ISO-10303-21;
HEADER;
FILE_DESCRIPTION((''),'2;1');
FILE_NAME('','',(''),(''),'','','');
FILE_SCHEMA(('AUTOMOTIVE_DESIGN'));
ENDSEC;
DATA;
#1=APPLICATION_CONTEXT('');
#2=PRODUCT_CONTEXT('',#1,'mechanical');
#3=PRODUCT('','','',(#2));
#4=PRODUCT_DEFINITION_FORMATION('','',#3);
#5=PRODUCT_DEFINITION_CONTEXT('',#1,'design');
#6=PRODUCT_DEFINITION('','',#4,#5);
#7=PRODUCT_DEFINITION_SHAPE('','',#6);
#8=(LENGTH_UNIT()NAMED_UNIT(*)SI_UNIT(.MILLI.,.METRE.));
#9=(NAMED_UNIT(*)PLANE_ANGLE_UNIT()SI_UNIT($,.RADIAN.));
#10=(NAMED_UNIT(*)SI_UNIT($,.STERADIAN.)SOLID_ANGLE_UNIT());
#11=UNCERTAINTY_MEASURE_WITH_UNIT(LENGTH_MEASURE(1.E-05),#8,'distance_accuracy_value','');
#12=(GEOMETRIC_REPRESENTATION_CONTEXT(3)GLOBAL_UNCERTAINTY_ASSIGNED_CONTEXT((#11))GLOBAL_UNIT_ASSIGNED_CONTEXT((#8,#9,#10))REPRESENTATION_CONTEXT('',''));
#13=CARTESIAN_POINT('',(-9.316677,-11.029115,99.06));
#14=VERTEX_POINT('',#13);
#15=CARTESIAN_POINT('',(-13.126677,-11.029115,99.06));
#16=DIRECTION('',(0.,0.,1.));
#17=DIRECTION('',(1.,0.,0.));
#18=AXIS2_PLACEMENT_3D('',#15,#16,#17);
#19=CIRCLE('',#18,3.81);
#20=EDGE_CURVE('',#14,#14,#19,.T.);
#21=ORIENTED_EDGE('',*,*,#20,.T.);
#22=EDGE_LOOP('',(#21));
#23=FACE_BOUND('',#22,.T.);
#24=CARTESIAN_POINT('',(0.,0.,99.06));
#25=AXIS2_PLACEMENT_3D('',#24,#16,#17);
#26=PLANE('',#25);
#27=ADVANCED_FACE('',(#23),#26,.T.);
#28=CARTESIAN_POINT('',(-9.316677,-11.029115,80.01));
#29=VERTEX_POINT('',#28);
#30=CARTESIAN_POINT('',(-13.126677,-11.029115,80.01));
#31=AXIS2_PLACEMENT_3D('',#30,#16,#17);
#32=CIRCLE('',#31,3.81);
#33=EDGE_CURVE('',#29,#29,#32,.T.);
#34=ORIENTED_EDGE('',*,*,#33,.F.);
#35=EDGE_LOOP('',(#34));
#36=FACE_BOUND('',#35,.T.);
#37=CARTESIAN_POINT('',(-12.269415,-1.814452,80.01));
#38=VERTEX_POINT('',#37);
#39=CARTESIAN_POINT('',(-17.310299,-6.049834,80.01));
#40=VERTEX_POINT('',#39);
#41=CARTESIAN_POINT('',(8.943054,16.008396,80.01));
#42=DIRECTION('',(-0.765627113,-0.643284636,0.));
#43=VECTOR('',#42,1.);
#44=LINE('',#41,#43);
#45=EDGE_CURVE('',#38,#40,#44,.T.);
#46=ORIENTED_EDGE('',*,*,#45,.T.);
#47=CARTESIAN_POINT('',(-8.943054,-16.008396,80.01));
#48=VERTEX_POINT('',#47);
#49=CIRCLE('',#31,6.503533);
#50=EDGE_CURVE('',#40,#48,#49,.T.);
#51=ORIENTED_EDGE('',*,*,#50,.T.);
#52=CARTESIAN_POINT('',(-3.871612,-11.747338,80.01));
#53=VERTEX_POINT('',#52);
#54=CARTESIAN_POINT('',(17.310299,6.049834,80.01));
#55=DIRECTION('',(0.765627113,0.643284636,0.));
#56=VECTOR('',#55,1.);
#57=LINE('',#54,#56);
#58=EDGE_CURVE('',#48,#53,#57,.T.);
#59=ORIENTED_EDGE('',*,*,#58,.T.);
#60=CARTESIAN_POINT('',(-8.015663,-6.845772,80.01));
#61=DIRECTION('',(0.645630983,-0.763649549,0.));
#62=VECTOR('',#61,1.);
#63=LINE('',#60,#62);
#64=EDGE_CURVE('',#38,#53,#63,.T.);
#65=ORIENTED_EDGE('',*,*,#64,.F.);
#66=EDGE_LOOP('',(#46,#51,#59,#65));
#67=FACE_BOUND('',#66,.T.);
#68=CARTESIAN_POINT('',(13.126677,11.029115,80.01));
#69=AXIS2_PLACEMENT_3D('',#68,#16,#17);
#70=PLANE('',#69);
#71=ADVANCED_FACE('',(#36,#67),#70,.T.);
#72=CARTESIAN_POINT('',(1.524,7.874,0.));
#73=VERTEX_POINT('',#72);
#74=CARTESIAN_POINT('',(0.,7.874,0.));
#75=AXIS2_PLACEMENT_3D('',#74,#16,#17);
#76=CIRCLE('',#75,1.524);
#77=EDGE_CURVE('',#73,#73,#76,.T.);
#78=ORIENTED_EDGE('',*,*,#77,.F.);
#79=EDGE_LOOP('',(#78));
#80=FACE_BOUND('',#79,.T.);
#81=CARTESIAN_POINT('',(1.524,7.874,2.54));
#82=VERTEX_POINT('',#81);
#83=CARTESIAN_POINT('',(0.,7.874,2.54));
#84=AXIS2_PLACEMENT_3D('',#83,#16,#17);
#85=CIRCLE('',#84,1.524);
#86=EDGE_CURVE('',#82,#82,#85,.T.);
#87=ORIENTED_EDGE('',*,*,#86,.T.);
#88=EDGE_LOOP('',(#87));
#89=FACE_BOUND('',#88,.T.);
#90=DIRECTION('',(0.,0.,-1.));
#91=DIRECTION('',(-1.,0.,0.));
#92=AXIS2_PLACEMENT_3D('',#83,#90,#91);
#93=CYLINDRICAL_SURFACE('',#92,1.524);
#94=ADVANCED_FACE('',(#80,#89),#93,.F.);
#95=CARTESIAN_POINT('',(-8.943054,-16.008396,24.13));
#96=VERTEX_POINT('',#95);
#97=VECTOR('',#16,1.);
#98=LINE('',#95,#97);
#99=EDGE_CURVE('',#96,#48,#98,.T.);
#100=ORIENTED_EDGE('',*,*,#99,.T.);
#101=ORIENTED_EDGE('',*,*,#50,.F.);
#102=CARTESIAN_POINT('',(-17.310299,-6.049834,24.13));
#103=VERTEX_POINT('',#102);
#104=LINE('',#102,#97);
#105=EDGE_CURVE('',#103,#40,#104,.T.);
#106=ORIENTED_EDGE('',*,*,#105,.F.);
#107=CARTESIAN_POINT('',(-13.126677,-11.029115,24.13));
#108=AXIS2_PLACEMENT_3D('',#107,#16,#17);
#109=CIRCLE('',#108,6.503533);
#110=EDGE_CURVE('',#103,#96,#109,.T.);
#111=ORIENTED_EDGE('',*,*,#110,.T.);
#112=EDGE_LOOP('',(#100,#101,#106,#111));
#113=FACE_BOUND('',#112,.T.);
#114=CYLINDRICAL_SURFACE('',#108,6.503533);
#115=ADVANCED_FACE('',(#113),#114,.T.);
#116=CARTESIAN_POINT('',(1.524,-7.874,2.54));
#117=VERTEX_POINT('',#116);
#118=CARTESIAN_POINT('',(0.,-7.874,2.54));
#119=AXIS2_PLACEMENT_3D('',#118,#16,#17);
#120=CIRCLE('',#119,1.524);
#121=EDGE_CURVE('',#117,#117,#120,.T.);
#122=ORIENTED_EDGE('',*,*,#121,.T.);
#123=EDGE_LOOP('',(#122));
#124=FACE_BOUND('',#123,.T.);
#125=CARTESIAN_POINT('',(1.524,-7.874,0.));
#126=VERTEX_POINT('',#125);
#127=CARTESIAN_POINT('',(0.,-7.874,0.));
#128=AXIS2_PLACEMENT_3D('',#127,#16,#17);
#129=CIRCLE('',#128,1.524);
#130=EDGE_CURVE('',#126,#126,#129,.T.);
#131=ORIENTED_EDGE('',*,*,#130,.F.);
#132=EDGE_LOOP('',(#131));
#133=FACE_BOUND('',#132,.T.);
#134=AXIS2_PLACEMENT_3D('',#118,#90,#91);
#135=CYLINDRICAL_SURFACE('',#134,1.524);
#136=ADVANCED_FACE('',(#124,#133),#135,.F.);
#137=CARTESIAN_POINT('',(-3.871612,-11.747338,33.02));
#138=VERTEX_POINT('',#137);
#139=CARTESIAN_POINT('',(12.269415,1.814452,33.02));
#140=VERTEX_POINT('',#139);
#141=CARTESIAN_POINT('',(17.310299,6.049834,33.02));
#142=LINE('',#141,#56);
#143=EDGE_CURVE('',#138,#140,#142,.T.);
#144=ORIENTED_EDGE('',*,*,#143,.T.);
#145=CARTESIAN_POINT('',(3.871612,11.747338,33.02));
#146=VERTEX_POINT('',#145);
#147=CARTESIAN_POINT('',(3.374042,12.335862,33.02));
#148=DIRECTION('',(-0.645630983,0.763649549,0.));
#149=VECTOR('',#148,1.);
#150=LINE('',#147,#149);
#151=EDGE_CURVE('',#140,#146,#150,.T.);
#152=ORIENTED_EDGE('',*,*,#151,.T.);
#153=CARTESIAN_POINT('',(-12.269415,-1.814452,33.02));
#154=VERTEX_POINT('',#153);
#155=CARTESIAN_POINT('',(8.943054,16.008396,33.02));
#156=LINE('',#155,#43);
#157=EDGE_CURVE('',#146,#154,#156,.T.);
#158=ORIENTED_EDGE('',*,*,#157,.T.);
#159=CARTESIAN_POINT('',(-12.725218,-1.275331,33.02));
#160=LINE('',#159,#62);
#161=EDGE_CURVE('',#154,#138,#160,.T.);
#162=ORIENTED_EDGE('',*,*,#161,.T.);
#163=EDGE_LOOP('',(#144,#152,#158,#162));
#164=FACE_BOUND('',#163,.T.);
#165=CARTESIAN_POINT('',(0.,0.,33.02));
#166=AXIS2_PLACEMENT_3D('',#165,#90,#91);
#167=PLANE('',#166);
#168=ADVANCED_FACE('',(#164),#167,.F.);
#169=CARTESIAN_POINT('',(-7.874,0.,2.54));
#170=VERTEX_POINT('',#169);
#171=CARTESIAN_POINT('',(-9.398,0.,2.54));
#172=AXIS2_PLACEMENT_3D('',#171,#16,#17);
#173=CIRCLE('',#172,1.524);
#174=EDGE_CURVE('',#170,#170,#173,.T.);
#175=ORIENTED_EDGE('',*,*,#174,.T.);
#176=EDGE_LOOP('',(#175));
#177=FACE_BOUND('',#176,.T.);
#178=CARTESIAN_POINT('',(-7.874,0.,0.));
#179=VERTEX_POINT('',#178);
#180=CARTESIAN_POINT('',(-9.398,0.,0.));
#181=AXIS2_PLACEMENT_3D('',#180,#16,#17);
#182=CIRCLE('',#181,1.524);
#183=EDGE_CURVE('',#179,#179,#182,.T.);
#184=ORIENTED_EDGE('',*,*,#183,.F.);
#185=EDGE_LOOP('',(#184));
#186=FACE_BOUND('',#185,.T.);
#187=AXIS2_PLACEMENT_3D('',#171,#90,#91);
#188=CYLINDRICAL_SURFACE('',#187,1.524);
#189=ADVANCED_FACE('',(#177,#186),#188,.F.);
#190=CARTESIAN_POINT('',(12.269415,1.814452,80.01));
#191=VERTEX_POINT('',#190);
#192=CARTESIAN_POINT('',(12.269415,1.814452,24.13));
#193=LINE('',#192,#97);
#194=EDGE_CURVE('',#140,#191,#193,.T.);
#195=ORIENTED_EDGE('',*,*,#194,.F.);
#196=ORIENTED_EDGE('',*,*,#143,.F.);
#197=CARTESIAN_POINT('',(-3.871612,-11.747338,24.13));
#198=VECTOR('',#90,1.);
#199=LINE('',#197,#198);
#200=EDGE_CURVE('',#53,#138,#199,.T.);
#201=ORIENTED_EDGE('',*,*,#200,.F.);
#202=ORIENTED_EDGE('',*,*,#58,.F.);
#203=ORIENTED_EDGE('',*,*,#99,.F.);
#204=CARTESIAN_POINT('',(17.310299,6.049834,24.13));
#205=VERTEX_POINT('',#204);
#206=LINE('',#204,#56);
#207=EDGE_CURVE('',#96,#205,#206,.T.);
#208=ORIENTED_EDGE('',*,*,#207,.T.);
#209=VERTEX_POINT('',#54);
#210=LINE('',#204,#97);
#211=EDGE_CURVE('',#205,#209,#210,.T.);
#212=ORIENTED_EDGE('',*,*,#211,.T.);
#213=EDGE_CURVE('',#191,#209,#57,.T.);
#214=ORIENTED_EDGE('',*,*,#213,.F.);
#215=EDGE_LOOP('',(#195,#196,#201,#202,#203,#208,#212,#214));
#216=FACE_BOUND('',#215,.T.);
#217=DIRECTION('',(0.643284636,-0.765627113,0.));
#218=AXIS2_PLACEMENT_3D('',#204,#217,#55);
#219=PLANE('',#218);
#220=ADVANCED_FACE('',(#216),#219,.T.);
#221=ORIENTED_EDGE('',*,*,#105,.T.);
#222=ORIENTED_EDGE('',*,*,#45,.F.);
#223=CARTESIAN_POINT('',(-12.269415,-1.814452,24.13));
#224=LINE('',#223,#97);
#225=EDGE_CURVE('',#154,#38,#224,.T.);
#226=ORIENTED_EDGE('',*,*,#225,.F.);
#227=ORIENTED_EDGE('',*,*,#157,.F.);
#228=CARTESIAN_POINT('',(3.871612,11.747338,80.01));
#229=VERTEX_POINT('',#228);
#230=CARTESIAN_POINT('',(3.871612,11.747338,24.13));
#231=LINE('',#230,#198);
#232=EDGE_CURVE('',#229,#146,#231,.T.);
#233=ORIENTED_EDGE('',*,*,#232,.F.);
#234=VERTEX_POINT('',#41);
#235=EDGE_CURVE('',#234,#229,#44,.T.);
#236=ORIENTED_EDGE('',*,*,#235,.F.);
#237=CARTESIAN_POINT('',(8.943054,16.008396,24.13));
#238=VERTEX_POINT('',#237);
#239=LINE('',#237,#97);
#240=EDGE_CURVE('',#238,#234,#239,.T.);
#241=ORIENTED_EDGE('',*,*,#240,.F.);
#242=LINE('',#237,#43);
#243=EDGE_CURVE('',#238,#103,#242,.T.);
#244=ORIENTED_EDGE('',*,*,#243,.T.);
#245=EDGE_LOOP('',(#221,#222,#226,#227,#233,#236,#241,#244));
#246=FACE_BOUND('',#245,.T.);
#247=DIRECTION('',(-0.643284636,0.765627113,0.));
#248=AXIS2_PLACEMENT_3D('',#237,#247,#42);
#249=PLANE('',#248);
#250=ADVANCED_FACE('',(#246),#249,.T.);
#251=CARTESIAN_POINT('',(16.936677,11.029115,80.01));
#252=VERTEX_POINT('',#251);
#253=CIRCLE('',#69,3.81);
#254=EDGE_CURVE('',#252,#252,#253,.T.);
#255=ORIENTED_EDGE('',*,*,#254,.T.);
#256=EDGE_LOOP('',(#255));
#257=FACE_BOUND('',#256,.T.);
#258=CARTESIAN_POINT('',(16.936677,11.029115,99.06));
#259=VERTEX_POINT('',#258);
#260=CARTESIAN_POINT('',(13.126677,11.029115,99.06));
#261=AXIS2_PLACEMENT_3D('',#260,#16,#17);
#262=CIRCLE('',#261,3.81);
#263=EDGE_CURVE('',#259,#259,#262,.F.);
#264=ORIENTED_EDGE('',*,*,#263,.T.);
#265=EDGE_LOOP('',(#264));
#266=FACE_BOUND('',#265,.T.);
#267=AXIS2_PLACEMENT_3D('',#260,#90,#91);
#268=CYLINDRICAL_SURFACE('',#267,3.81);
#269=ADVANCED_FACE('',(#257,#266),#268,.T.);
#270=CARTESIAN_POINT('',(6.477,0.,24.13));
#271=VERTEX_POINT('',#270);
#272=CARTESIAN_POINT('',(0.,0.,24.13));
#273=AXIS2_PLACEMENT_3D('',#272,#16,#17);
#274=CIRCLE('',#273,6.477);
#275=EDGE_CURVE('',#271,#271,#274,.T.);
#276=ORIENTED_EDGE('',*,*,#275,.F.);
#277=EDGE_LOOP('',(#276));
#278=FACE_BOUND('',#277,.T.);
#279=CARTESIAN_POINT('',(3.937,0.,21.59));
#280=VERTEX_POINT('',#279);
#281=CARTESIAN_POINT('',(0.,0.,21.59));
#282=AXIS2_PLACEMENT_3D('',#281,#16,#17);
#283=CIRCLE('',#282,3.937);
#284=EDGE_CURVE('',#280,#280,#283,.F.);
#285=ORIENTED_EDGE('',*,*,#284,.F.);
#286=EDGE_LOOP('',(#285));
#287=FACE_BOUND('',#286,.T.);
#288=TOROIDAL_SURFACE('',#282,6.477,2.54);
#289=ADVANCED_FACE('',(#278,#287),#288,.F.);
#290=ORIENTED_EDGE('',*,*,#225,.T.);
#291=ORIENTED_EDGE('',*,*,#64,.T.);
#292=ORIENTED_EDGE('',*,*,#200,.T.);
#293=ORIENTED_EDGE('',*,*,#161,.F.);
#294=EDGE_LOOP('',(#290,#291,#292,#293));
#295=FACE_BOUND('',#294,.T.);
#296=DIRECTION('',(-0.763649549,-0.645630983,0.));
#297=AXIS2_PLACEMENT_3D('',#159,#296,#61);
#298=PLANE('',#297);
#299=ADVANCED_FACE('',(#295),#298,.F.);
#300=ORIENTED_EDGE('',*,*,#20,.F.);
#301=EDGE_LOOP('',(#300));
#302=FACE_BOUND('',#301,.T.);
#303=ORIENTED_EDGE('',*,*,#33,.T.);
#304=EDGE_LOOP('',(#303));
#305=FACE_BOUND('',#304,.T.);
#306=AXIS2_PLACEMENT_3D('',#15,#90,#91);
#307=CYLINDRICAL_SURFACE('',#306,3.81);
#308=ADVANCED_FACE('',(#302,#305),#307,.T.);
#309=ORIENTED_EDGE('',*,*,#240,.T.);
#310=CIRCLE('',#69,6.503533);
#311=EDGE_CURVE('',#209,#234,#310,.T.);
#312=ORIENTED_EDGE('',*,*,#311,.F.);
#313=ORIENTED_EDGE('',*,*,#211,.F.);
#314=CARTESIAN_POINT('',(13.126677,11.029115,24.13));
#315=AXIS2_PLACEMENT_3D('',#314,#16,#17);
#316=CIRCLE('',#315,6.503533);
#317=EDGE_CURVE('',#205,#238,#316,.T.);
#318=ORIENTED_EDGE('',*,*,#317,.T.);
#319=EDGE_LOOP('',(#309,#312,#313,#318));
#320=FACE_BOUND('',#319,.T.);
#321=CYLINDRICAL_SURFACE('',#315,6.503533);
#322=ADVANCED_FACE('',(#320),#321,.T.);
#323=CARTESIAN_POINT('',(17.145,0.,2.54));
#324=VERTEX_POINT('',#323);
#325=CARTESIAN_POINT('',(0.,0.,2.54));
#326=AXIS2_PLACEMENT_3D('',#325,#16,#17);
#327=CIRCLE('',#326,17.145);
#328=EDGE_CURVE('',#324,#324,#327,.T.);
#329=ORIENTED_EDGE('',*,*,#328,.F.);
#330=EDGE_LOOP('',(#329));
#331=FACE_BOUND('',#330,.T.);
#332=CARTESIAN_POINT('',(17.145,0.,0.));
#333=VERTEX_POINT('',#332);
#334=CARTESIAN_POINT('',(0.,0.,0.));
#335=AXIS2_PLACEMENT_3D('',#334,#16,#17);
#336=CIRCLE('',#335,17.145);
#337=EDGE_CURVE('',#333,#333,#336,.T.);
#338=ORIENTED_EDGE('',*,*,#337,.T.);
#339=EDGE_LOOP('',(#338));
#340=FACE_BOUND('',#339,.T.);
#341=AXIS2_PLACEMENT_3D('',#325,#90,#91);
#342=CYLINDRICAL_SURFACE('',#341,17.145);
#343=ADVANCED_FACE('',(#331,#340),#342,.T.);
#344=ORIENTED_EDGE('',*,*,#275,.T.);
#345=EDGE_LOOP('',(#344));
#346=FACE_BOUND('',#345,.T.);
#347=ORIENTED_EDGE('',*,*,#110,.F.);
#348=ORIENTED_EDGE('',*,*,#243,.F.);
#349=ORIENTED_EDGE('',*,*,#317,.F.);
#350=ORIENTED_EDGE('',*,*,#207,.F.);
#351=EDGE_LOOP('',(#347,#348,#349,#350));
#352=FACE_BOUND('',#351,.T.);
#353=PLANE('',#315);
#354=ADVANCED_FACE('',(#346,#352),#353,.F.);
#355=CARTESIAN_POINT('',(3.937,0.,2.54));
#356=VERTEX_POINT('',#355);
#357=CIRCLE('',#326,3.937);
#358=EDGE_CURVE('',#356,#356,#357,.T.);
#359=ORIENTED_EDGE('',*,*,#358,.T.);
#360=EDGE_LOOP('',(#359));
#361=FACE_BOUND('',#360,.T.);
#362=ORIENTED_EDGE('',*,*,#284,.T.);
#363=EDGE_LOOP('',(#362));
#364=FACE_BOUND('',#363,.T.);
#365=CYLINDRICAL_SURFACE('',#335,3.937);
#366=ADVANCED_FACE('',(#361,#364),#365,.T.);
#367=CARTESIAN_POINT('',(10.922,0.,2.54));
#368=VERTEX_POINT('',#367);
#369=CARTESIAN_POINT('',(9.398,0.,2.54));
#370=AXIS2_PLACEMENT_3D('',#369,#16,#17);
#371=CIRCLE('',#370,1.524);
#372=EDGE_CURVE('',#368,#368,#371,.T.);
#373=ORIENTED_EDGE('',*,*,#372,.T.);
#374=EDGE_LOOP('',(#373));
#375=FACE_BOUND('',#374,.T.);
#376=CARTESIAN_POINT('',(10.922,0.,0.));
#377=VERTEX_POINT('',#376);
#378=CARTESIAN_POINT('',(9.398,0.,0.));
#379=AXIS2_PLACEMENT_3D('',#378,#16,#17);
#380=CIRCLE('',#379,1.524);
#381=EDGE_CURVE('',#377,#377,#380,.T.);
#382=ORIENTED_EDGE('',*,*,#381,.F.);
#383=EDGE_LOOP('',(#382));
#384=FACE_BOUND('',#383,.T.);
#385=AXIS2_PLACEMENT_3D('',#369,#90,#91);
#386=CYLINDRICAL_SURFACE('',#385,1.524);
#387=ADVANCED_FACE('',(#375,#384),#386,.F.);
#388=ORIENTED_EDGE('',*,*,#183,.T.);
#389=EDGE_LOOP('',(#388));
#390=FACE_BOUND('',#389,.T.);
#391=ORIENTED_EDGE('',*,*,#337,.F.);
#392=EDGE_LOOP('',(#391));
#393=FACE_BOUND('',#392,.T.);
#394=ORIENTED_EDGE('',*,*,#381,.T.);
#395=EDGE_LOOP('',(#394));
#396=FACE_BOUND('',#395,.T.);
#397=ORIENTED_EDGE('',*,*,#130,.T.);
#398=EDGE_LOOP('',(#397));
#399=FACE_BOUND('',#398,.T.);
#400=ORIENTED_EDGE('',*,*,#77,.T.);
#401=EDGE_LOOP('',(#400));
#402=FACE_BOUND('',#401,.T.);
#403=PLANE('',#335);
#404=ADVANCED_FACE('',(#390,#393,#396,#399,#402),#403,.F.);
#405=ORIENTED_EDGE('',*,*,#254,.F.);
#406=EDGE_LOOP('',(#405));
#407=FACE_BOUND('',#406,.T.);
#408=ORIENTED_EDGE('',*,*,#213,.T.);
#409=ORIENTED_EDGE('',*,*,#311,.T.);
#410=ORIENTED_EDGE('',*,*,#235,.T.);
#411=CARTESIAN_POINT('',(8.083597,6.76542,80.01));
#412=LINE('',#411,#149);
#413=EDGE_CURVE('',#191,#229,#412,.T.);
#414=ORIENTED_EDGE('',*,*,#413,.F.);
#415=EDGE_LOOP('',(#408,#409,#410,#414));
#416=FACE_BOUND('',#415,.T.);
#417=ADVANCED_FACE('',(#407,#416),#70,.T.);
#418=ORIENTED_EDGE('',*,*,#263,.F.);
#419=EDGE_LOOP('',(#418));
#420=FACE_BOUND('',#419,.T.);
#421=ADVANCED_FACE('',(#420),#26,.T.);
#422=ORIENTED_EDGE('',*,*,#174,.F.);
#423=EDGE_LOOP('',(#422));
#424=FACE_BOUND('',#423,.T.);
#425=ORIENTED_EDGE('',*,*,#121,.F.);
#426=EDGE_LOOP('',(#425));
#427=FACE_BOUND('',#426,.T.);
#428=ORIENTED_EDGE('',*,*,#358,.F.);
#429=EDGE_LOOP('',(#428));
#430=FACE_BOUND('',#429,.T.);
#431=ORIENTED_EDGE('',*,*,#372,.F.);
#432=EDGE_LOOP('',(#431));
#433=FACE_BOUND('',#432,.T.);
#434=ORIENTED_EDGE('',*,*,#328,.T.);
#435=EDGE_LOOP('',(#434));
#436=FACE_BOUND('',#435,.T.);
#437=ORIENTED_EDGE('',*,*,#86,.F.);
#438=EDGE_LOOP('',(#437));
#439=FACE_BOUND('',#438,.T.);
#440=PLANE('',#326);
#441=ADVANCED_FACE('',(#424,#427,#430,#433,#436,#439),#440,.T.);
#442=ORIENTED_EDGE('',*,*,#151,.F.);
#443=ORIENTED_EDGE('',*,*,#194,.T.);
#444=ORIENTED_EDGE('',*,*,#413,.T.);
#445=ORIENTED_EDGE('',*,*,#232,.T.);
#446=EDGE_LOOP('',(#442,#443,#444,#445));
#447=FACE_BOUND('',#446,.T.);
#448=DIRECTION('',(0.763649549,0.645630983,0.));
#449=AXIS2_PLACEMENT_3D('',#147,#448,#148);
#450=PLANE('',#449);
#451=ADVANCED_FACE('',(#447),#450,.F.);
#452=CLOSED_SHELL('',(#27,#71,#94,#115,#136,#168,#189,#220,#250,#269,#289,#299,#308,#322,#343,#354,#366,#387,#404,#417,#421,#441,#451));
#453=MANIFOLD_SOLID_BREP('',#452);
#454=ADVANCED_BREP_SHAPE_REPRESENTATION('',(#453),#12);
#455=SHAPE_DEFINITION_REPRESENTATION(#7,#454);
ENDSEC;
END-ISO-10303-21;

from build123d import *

# Parameters (mm, degrees)
SKETCH1_R                = 17.145
SKETCH1_R_2              = 3.937
SKETCH1_R_3              = 1.524
BOSS_EXTRUDE1_DEPTH      = 2.54
SKETCH2_R                = 3.937
BOSS_EXTRUDE2_DEPTH      = 73.66
BOSS_EXTRUDE2_DEPTH_BACK = 2.54
BOSS_EXTRUDE8_DEPTH      = 3.81
BOSS_EXTRUDE8_DEPTH_BACK = 52.07
SKETCH10_R               = 3.81
BOSS_EXTRUDE9_DEPTH      = 19.05
CUT_EXTRUDE1_DEPTH       = 46.99
FILLET3_R                = 2.54


with BuildPart() as part:
    # Sketch1 → Boss-Extrude1 (new body)
    with BuildSketch(Plane.XY):
        Circle(SKETCH1_R)
        Circle(SKETCH1_R_2, mode=Mode.SUBTRACT)
        with Locations((0, 7.874)):
            Circle(SKETCH1_R_3, mode=Mode.SUBTRACT)
        with Locations((0, -7.874)):
            Circle(SKETCH1_R_3, mode=Mode.SUBTRACT)
        with Locations((-9.398, 0)):
            Circle(SKETCH1_R_3, mode=Mode.SUBTRACT)
        with Locations((9.398, 0)):
            Circle(SKETCH1_R_3, mode=Mode.SUBTRACT)
    extrude(amount=BOSS_EXTRUDE1_DEPTH)

    # Sketch2 → Boss-Extrude2 (add, two sides)
    with BuildSketch(Plane.XY.offset(2.54)) as boss_extrude2_sk:
        Circle(SKETCH2_R)
    extrude(amount=BOSS_EXTRUDE2_DEPTH)
    extrude(boss_extrude2_sk.sketch, amount=-BOSS_EXTRUDE2_DEPTH_BACK)

    # Sketch9 → Boss-Extrude8 (add, two sides)
    with BuildSketch(Plane.XY.offset(76.2)) as boss_extrude8_sk:
        with BuildLine():
            Line((17.310299419, 6.04983425), (-8.943054295, -16.008395932))
            ThreePointArc((-8.943054295, -16.008395932), (-18.105957698, -15.212737654), (-17.310299419, -6.04983425))
            Line((-17.310299419, -6.04983425), (8.943054295, 16.008395932))
            ThreePointArc((8.943054295, 16.008395932), (18.105957698, 15.212737654), (17.310299419, 6.04983425))
        make_face()
    extrude(amount=BOSS_EXTRUDE8_DEPTH)
    extrude(boss_extrude8_sk.sketch, amount=-BOSS_EXTRUDE8_DEPTH_BACK)

    # Sketch10 → Boss-Extrude9 (add)
    with BuildSketch(Plane.XY.offset(80.01)):
        with Locations((13.126676857, 11.029115091)):
            Circle(SKETCH10_R)
        with Locations((-13.126676857, -11.029115091)):
            Circle(SKETCH10_R)
    extrude(amount=BOSS_EXTRUDE9_DEPTH)

    # Sketch11 → Cut-Extrude1 (cut)
    with BuildSketch(Plane.XY.offset(80.01)):
        Polygon((3.374041748, 12.335861743), (-12.725218051, -1.275330633), (-3.374041748, -12.335861743), (12.725218051, 1.275330633), align=None)
    extrude(amount=-CUT_EXTRUDE1_DEPTH, mode=Mode.SUBTRACT)

    # Fillet3
    fillet3_edges = [part.edges().sort_by_distance(p)[0] for p in [
        (-3.937, 0, 24.13),
    ]]
    fillet(fillet3_edges, radius=FILLET3_R)


solid = part.part
